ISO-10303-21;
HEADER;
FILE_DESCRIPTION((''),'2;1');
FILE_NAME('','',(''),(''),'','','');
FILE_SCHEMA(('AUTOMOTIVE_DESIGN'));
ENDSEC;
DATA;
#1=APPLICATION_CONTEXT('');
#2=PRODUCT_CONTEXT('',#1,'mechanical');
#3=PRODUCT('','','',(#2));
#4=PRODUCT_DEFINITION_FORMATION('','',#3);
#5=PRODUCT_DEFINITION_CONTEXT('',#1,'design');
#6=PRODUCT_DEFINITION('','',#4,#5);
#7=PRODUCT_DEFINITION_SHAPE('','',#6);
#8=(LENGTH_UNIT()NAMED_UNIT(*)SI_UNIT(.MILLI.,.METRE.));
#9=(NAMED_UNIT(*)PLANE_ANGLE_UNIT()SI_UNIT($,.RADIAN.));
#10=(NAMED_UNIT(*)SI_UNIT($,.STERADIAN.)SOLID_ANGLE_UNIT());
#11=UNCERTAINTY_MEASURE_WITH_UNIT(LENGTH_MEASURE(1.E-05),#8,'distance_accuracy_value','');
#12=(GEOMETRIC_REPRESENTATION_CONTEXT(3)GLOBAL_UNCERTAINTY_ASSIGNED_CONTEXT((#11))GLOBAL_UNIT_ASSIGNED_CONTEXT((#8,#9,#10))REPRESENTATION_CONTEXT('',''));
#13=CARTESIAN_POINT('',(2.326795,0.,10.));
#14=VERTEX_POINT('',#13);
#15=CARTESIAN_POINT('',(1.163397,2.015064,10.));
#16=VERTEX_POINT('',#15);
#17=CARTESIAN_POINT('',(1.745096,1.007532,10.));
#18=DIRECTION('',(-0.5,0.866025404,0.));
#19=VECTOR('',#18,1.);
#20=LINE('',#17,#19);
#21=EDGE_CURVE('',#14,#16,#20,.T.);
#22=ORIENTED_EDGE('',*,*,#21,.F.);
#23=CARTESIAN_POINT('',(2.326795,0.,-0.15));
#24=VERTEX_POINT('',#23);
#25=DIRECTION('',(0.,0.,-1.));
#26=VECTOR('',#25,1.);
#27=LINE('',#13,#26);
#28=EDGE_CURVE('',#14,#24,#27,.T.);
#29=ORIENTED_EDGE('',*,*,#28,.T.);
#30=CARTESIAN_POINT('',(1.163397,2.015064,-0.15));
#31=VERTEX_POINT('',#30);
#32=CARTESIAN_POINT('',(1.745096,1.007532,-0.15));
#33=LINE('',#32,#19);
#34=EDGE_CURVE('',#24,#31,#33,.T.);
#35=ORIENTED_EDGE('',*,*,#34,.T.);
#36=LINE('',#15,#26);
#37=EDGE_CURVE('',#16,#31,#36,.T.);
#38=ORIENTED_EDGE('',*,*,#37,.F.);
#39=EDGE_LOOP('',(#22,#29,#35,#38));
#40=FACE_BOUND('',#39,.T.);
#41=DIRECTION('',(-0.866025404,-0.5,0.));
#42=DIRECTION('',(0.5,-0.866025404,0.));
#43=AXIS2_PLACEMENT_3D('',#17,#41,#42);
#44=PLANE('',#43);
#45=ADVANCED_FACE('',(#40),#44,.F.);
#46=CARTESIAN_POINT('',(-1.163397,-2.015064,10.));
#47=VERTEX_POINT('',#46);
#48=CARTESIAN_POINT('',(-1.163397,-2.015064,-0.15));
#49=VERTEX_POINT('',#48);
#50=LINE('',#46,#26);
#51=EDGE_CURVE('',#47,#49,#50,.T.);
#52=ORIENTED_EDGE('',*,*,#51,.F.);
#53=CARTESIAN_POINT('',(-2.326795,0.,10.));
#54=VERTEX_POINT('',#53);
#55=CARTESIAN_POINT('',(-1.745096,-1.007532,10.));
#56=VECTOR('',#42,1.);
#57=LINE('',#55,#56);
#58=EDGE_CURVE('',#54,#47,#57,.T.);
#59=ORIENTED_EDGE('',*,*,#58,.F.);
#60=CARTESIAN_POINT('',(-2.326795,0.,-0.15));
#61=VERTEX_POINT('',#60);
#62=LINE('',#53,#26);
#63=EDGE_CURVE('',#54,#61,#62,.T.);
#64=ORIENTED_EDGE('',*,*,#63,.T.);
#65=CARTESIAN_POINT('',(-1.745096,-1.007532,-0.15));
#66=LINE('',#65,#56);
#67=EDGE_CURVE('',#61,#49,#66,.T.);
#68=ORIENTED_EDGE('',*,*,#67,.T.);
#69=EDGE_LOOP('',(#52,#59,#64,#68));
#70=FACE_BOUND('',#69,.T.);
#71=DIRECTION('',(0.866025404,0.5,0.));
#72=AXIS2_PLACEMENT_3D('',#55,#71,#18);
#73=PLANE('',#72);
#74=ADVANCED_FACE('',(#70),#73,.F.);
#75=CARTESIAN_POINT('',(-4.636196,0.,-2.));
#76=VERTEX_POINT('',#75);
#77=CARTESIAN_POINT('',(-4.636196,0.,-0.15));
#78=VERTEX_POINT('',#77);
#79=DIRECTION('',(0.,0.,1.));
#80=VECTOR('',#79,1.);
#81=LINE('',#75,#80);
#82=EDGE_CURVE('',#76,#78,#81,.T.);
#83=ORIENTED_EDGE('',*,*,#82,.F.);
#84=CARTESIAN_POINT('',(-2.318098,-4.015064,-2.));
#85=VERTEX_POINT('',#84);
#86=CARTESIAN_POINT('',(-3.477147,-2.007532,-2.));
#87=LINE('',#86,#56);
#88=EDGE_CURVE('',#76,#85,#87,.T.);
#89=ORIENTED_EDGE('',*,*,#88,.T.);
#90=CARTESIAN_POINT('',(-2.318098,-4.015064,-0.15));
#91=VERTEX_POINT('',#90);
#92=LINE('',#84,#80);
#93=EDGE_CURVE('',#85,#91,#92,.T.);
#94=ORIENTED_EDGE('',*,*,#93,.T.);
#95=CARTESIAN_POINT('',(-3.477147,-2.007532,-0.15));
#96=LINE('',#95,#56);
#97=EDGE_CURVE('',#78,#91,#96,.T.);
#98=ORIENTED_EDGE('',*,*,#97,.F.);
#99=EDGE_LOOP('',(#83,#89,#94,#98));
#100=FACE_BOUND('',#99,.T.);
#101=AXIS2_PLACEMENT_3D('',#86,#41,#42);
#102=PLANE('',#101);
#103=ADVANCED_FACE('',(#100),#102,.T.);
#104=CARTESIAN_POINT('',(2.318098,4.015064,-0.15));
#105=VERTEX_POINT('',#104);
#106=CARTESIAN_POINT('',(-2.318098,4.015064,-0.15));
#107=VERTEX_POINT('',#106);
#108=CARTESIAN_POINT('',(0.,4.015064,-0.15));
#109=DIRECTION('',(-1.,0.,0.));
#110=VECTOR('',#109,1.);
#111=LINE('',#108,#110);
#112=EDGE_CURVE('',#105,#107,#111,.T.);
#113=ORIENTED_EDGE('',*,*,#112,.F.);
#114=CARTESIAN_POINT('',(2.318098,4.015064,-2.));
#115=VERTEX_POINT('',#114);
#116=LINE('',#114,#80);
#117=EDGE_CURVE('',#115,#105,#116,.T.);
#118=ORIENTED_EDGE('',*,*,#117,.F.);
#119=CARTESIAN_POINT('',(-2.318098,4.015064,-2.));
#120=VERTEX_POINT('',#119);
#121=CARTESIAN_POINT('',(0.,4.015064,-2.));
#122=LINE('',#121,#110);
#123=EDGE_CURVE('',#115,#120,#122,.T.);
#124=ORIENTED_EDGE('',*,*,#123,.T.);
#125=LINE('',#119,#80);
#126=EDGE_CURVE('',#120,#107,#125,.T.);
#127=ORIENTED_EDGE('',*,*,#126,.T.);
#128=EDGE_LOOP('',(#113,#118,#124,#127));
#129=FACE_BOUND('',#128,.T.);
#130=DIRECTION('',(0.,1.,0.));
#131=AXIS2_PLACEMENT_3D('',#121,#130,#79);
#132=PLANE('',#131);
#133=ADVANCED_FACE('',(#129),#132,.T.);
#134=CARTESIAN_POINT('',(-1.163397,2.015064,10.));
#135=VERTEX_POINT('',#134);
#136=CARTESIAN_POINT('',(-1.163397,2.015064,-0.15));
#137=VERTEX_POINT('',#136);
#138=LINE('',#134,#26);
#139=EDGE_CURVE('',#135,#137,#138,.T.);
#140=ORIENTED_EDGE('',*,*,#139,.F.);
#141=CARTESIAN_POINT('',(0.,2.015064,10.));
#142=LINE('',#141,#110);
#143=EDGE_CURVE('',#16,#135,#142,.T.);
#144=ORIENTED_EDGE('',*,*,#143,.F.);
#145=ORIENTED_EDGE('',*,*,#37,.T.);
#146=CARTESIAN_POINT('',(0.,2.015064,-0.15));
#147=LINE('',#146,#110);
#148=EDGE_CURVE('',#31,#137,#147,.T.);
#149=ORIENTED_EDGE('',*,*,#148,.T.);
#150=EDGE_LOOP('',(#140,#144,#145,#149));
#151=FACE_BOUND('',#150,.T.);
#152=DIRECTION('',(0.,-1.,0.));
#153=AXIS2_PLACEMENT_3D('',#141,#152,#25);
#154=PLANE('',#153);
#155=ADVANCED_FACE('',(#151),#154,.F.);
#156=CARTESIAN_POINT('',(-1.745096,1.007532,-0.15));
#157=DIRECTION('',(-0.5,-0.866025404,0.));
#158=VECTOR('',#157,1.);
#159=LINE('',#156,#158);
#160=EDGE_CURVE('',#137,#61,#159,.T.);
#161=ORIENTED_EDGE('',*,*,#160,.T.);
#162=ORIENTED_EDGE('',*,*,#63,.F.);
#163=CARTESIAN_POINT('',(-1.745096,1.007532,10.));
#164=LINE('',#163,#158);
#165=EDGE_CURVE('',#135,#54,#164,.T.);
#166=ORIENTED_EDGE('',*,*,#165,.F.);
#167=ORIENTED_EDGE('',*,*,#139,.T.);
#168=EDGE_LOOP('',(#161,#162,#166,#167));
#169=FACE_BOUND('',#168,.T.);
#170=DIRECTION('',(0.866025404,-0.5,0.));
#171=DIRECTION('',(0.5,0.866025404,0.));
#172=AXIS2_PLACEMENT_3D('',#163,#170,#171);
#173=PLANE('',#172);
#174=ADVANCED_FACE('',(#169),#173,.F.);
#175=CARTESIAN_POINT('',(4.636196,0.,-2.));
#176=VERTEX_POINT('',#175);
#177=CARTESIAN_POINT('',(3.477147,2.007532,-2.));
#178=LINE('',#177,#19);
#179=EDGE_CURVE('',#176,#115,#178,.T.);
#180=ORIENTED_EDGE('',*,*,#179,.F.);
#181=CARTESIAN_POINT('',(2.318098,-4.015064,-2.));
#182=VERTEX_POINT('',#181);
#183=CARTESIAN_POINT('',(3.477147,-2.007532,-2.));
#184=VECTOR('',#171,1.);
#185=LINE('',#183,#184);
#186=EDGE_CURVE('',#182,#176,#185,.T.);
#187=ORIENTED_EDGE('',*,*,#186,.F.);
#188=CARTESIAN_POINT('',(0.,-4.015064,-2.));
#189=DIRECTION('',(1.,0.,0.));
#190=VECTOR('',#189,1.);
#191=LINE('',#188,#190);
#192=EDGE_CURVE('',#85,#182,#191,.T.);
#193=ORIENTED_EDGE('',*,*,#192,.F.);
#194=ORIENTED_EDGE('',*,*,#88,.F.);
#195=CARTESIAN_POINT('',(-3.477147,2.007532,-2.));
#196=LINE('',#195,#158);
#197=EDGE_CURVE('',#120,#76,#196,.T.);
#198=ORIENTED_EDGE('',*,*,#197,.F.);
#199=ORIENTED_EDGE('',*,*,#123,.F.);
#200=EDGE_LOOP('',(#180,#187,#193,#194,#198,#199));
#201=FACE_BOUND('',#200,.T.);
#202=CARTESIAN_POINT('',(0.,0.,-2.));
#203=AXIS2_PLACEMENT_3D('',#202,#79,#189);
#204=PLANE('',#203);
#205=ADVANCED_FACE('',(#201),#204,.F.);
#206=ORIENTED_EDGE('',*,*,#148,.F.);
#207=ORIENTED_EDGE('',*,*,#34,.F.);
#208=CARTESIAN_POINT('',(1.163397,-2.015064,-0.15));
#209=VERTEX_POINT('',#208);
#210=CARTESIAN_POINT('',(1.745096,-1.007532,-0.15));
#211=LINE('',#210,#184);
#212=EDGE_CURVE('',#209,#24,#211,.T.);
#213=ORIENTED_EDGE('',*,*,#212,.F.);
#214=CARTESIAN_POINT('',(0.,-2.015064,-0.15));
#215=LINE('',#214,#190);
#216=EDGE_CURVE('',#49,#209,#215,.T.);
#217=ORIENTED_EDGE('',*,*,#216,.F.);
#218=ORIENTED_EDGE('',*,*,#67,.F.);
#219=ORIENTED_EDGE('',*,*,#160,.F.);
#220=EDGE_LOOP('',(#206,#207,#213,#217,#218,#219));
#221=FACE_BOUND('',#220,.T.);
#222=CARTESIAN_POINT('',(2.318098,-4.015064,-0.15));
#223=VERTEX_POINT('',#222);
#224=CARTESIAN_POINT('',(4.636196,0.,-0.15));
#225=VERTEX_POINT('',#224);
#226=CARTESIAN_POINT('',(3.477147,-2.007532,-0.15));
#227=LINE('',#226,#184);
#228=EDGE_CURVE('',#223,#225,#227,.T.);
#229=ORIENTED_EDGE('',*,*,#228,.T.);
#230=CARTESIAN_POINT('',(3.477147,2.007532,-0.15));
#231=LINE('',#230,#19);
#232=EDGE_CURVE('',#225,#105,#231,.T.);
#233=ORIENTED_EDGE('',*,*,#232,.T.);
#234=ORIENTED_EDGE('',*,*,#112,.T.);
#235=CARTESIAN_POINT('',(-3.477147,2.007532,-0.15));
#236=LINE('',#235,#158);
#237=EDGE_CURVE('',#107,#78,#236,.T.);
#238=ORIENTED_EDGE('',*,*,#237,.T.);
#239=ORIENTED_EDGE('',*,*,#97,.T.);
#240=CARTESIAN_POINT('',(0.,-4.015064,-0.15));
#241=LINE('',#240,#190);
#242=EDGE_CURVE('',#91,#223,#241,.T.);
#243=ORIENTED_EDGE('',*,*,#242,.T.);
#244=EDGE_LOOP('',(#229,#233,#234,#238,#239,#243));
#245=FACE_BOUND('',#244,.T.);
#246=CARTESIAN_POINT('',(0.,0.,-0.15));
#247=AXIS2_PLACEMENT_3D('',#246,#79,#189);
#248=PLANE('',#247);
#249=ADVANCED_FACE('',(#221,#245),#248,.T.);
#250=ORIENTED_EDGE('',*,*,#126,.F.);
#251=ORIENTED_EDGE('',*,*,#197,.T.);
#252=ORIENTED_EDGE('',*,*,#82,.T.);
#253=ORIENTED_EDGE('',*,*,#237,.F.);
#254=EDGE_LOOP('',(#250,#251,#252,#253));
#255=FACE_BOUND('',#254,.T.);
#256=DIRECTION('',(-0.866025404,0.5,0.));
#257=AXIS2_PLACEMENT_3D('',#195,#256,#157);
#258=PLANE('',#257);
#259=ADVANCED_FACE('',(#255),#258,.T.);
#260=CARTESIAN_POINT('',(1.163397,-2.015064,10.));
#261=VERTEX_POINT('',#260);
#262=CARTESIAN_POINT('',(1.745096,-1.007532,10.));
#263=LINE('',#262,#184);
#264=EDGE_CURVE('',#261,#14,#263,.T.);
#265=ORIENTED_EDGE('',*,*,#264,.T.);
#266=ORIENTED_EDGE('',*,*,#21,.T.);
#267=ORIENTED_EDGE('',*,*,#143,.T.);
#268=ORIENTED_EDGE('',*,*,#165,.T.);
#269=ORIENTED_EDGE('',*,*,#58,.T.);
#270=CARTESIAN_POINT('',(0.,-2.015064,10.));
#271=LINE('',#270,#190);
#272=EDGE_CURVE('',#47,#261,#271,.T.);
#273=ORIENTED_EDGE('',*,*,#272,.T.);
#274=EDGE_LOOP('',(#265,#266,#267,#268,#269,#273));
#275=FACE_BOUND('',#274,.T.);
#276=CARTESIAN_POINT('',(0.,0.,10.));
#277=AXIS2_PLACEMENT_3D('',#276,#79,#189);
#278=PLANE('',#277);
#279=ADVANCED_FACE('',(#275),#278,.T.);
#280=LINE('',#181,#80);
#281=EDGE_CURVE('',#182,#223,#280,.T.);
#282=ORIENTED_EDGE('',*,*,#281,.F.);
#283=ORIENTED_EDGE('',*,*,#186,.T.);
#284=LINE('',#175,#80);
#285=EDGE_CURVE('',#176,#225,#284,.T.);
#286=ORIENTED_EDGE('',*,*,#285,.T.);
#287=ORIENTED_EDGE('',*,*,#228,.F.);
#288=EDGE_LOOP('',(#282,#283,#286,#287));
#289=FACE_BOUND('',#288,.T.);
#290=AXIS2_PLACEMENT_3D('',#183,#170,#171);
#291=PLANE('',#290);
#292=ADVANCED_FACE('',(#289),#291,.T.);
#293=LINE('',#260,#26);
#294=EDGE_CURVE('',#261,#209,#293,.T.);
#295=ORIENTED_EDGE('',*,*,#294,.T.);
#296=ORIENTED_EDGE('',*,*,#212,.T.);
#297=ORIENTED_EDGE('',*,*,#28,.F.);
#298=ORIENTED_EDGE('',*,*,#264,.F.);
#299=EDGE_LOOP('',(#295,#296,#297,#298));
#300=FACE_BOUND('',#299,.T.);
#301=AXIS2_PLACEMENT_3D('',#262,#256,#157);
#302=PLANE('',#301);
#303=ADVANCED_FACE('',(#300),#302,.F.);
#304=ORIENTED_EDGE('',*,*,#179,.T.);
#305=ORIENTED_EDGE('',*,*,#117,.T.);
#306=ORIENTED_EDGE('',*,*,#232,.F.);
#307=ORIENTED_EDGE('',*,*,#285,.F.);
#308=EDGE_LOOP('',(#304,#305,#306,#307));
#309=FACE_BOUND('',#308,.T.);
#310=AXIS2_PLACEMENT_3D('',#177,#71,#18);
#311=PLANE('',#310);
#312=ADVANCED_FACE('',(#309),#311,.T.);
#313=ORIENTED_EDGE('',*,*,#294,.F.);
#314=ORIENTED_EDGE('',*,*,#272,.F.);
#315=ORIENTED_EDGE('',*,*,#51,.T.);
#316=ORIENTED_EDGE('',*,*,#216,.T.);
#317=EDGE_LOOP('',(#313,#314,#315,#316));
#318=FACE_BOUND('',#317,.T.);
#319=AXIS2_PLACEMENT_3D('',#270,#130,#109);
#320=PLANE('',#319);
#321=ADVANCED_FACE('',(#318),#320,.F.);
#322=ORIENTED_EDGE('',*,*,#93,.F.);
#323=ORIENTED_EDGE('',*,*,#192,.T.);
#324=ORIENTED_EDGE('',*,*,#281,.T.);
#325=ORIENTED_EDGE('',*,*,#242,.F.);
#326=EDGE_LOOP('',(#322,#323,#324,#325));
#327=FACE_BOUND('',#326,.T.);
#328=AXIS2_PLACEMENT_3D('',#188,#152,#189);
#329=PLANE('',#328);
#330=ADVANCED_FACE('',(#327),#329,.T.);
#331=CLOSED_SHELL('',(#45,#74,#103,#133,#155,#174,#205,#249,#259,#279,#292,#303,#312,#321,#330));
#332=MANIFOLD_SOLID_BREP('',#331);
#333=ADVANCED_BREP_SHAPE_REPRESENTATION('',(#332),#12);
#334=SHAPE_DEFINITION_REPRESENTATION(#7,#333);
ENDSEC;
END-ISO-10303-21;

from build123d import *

# Parameters (mm, degrees)
BOSS_EXTRUDE1_DEPTH = 10
BOSS_EXTRUDE2_DEPTH = 2
MOVE_FACE1_BY       = 0.15
MOVE_FACE1_2_BY     = 0.15
MOVE_FACE1_3_BY     = 0.15
MOVE_FACE1_4_BY     = 0.15
MOVE_FACE1_5_BY     = 0.15
MOVE_FACE1_6_BY     = 0.15
MOVE_FACE1_7_BY     = 0.15
MOVE_FACE1_8_BY     = 0.15
MOVE_FACE1_9_BY     = 0.15
MOVE_FACE1_10_BY    = 0.15
MOVE_FACE1_11_BY    = 0.15
MOVE_FACE1_12_BY    = 0.15
MOVE_FACE1_13_BY    = 0.15


with BuildPart() as part:
    # Sketch1 → Boss-Extrude1 (new body)
    with BuildSketch(Plane.XY):
        Polygon((-1.25, -2.165063509), (1.25, -2.165063509), (2.5, 0), (1.25, 2.165063509), (-1.25, 2.165063509), (-2.5, 0), align=None)
    extrude(amount=BOSS_EXTRUDE1_DEPTH)

    # Sketch1<3> → Boss-Extrude2 (add)
    with BuildSketch(Plane.XY):
        Polygon((-2.404700538, -4.165063509), (2.404700538, -4.165063509), (4.809401077, 0), (2.404700538, 4.165063509), (-2.404700538, 4.165063509), (-4.809401077, 0), align=None)
    extrude(amount=-BOSS_EXTRUDE2_DEPTH)

    # Move Face1: a face moved inward by 0.15
    extrude(part.faces().sort_by_distance((0, -3.332050808, 0))[0], amount=MOVE_FACE1_BY, dir=(0, 0, -1), mode=Mode.SUBTRACT)

    # Move Face1 2: a face moved inward by 0.15
    extrude(part.faces().sort_by_distance((0, 4.165063509, -1))[0], amount=MOVE_FACE1_2_BY, dir=(0, -1, 0), mode=Mode.SUBTRACT)

    # Move Face1 3: a face moved inward by 0.15
    extrude(part.faces().sort_by_distance((3.607050808, 2.082531755, -1))[0], amount=MOVE_FACE1_3_BY, dir=(-0.866025404, -0.5, 0), mode=Mode.SUBTRACT)

    # Move Face1 4: a face moved inward by 0.15
    extrude(part.faces().sort_by_distance((3.607050808, -2.082531755, -1))[0], amount=MOVE_FACE1_4_BY, dir=(-0.866025404, 0.5, 0), mode=Mode.SUBTRACT)

    # Move Face1 5: a face moved inward by 0.15
    extrude(part.faces().sort_by_distance((0, -4.165063509, -1))[0], amount=MOVE_FACE1_5_BY, dir=(0, 1, 0), mode=Mode.SUBTRACT)

    # Move Face1 6: a face moved inward by 0.15
    extrude(part.faces().sort_by_distance((-3.607050808, 2.082531755, -1))[0], amount=MOVE_FACE1_6_BY, dir=(0.866025404, -0.5, 0), mode=Mode.SUBTRACT)

    # Move Face1 7: a face moved inward by 0.15
    extrude(part.faces().sort_by_distance((-3.607050808, -2.082531755, -1))[0], amount=MOVE_FACE1_7_BY, dir=(0.866025404, 0.5, 0), mode=Mode.SUBTRACT)

    # Move Face1 8: a face moved inward by 0.15
    extrude(part.faces().sort_by_distance((1.875, 1.082531755, 5))[0], amount=MOVE_FACE1_8_BY, dir=(-0.866025404, -0.5, 0), mode=Mode.SUBTRACT)

    # Move Face1 9: a face moved inward by 0.15
    extrude(part.faces().sort_by_distance((0, 2.165063509, 5))[0], amount=MOVE_FACE1_9_BY, dir=(0, -1, 0), mode=Mode.SUBTRACT)

    # Move Face1 10: a face moved inward by 0.15
    extrude(part.faces().sort_by_distance((-1.875, 1.082531755, 5))[0], amount=MOVE_FACE1_10_BY, dir=(0.866025404, -0.5, 0), mode=Mode.SUBTRACT)

    # Move Face1 11: a face moved inward by 0.15
    extrude(part.faces().sort_by_distance((-1.875, -1.082531755, 5))[0], amount=MOVE_FACE1_11_BY, dir=(0.866025404, 0.5, 0), mode=Mode.SUBTRACT)

    # Move Face1 12: a face moved inward by 0.15
    extrude(part.faces().sort_by_distance((0, -2.165063509, 5))[0], amount=MOVE_FACE1_12_BY, dir=(0, 1, 0), mode=Mode.SUBTRACT)

    # Move Face1 13: a face moved inward by 0.15
    extrude(part.faces().sort_by_distance((1.875, -1.082531755, 5))[0], amount=MOVE_FACE1_13_BY, dir=(-0.866025404, 0.5, 0), mode=Mode.SUBTRACT)


solid = part.part
